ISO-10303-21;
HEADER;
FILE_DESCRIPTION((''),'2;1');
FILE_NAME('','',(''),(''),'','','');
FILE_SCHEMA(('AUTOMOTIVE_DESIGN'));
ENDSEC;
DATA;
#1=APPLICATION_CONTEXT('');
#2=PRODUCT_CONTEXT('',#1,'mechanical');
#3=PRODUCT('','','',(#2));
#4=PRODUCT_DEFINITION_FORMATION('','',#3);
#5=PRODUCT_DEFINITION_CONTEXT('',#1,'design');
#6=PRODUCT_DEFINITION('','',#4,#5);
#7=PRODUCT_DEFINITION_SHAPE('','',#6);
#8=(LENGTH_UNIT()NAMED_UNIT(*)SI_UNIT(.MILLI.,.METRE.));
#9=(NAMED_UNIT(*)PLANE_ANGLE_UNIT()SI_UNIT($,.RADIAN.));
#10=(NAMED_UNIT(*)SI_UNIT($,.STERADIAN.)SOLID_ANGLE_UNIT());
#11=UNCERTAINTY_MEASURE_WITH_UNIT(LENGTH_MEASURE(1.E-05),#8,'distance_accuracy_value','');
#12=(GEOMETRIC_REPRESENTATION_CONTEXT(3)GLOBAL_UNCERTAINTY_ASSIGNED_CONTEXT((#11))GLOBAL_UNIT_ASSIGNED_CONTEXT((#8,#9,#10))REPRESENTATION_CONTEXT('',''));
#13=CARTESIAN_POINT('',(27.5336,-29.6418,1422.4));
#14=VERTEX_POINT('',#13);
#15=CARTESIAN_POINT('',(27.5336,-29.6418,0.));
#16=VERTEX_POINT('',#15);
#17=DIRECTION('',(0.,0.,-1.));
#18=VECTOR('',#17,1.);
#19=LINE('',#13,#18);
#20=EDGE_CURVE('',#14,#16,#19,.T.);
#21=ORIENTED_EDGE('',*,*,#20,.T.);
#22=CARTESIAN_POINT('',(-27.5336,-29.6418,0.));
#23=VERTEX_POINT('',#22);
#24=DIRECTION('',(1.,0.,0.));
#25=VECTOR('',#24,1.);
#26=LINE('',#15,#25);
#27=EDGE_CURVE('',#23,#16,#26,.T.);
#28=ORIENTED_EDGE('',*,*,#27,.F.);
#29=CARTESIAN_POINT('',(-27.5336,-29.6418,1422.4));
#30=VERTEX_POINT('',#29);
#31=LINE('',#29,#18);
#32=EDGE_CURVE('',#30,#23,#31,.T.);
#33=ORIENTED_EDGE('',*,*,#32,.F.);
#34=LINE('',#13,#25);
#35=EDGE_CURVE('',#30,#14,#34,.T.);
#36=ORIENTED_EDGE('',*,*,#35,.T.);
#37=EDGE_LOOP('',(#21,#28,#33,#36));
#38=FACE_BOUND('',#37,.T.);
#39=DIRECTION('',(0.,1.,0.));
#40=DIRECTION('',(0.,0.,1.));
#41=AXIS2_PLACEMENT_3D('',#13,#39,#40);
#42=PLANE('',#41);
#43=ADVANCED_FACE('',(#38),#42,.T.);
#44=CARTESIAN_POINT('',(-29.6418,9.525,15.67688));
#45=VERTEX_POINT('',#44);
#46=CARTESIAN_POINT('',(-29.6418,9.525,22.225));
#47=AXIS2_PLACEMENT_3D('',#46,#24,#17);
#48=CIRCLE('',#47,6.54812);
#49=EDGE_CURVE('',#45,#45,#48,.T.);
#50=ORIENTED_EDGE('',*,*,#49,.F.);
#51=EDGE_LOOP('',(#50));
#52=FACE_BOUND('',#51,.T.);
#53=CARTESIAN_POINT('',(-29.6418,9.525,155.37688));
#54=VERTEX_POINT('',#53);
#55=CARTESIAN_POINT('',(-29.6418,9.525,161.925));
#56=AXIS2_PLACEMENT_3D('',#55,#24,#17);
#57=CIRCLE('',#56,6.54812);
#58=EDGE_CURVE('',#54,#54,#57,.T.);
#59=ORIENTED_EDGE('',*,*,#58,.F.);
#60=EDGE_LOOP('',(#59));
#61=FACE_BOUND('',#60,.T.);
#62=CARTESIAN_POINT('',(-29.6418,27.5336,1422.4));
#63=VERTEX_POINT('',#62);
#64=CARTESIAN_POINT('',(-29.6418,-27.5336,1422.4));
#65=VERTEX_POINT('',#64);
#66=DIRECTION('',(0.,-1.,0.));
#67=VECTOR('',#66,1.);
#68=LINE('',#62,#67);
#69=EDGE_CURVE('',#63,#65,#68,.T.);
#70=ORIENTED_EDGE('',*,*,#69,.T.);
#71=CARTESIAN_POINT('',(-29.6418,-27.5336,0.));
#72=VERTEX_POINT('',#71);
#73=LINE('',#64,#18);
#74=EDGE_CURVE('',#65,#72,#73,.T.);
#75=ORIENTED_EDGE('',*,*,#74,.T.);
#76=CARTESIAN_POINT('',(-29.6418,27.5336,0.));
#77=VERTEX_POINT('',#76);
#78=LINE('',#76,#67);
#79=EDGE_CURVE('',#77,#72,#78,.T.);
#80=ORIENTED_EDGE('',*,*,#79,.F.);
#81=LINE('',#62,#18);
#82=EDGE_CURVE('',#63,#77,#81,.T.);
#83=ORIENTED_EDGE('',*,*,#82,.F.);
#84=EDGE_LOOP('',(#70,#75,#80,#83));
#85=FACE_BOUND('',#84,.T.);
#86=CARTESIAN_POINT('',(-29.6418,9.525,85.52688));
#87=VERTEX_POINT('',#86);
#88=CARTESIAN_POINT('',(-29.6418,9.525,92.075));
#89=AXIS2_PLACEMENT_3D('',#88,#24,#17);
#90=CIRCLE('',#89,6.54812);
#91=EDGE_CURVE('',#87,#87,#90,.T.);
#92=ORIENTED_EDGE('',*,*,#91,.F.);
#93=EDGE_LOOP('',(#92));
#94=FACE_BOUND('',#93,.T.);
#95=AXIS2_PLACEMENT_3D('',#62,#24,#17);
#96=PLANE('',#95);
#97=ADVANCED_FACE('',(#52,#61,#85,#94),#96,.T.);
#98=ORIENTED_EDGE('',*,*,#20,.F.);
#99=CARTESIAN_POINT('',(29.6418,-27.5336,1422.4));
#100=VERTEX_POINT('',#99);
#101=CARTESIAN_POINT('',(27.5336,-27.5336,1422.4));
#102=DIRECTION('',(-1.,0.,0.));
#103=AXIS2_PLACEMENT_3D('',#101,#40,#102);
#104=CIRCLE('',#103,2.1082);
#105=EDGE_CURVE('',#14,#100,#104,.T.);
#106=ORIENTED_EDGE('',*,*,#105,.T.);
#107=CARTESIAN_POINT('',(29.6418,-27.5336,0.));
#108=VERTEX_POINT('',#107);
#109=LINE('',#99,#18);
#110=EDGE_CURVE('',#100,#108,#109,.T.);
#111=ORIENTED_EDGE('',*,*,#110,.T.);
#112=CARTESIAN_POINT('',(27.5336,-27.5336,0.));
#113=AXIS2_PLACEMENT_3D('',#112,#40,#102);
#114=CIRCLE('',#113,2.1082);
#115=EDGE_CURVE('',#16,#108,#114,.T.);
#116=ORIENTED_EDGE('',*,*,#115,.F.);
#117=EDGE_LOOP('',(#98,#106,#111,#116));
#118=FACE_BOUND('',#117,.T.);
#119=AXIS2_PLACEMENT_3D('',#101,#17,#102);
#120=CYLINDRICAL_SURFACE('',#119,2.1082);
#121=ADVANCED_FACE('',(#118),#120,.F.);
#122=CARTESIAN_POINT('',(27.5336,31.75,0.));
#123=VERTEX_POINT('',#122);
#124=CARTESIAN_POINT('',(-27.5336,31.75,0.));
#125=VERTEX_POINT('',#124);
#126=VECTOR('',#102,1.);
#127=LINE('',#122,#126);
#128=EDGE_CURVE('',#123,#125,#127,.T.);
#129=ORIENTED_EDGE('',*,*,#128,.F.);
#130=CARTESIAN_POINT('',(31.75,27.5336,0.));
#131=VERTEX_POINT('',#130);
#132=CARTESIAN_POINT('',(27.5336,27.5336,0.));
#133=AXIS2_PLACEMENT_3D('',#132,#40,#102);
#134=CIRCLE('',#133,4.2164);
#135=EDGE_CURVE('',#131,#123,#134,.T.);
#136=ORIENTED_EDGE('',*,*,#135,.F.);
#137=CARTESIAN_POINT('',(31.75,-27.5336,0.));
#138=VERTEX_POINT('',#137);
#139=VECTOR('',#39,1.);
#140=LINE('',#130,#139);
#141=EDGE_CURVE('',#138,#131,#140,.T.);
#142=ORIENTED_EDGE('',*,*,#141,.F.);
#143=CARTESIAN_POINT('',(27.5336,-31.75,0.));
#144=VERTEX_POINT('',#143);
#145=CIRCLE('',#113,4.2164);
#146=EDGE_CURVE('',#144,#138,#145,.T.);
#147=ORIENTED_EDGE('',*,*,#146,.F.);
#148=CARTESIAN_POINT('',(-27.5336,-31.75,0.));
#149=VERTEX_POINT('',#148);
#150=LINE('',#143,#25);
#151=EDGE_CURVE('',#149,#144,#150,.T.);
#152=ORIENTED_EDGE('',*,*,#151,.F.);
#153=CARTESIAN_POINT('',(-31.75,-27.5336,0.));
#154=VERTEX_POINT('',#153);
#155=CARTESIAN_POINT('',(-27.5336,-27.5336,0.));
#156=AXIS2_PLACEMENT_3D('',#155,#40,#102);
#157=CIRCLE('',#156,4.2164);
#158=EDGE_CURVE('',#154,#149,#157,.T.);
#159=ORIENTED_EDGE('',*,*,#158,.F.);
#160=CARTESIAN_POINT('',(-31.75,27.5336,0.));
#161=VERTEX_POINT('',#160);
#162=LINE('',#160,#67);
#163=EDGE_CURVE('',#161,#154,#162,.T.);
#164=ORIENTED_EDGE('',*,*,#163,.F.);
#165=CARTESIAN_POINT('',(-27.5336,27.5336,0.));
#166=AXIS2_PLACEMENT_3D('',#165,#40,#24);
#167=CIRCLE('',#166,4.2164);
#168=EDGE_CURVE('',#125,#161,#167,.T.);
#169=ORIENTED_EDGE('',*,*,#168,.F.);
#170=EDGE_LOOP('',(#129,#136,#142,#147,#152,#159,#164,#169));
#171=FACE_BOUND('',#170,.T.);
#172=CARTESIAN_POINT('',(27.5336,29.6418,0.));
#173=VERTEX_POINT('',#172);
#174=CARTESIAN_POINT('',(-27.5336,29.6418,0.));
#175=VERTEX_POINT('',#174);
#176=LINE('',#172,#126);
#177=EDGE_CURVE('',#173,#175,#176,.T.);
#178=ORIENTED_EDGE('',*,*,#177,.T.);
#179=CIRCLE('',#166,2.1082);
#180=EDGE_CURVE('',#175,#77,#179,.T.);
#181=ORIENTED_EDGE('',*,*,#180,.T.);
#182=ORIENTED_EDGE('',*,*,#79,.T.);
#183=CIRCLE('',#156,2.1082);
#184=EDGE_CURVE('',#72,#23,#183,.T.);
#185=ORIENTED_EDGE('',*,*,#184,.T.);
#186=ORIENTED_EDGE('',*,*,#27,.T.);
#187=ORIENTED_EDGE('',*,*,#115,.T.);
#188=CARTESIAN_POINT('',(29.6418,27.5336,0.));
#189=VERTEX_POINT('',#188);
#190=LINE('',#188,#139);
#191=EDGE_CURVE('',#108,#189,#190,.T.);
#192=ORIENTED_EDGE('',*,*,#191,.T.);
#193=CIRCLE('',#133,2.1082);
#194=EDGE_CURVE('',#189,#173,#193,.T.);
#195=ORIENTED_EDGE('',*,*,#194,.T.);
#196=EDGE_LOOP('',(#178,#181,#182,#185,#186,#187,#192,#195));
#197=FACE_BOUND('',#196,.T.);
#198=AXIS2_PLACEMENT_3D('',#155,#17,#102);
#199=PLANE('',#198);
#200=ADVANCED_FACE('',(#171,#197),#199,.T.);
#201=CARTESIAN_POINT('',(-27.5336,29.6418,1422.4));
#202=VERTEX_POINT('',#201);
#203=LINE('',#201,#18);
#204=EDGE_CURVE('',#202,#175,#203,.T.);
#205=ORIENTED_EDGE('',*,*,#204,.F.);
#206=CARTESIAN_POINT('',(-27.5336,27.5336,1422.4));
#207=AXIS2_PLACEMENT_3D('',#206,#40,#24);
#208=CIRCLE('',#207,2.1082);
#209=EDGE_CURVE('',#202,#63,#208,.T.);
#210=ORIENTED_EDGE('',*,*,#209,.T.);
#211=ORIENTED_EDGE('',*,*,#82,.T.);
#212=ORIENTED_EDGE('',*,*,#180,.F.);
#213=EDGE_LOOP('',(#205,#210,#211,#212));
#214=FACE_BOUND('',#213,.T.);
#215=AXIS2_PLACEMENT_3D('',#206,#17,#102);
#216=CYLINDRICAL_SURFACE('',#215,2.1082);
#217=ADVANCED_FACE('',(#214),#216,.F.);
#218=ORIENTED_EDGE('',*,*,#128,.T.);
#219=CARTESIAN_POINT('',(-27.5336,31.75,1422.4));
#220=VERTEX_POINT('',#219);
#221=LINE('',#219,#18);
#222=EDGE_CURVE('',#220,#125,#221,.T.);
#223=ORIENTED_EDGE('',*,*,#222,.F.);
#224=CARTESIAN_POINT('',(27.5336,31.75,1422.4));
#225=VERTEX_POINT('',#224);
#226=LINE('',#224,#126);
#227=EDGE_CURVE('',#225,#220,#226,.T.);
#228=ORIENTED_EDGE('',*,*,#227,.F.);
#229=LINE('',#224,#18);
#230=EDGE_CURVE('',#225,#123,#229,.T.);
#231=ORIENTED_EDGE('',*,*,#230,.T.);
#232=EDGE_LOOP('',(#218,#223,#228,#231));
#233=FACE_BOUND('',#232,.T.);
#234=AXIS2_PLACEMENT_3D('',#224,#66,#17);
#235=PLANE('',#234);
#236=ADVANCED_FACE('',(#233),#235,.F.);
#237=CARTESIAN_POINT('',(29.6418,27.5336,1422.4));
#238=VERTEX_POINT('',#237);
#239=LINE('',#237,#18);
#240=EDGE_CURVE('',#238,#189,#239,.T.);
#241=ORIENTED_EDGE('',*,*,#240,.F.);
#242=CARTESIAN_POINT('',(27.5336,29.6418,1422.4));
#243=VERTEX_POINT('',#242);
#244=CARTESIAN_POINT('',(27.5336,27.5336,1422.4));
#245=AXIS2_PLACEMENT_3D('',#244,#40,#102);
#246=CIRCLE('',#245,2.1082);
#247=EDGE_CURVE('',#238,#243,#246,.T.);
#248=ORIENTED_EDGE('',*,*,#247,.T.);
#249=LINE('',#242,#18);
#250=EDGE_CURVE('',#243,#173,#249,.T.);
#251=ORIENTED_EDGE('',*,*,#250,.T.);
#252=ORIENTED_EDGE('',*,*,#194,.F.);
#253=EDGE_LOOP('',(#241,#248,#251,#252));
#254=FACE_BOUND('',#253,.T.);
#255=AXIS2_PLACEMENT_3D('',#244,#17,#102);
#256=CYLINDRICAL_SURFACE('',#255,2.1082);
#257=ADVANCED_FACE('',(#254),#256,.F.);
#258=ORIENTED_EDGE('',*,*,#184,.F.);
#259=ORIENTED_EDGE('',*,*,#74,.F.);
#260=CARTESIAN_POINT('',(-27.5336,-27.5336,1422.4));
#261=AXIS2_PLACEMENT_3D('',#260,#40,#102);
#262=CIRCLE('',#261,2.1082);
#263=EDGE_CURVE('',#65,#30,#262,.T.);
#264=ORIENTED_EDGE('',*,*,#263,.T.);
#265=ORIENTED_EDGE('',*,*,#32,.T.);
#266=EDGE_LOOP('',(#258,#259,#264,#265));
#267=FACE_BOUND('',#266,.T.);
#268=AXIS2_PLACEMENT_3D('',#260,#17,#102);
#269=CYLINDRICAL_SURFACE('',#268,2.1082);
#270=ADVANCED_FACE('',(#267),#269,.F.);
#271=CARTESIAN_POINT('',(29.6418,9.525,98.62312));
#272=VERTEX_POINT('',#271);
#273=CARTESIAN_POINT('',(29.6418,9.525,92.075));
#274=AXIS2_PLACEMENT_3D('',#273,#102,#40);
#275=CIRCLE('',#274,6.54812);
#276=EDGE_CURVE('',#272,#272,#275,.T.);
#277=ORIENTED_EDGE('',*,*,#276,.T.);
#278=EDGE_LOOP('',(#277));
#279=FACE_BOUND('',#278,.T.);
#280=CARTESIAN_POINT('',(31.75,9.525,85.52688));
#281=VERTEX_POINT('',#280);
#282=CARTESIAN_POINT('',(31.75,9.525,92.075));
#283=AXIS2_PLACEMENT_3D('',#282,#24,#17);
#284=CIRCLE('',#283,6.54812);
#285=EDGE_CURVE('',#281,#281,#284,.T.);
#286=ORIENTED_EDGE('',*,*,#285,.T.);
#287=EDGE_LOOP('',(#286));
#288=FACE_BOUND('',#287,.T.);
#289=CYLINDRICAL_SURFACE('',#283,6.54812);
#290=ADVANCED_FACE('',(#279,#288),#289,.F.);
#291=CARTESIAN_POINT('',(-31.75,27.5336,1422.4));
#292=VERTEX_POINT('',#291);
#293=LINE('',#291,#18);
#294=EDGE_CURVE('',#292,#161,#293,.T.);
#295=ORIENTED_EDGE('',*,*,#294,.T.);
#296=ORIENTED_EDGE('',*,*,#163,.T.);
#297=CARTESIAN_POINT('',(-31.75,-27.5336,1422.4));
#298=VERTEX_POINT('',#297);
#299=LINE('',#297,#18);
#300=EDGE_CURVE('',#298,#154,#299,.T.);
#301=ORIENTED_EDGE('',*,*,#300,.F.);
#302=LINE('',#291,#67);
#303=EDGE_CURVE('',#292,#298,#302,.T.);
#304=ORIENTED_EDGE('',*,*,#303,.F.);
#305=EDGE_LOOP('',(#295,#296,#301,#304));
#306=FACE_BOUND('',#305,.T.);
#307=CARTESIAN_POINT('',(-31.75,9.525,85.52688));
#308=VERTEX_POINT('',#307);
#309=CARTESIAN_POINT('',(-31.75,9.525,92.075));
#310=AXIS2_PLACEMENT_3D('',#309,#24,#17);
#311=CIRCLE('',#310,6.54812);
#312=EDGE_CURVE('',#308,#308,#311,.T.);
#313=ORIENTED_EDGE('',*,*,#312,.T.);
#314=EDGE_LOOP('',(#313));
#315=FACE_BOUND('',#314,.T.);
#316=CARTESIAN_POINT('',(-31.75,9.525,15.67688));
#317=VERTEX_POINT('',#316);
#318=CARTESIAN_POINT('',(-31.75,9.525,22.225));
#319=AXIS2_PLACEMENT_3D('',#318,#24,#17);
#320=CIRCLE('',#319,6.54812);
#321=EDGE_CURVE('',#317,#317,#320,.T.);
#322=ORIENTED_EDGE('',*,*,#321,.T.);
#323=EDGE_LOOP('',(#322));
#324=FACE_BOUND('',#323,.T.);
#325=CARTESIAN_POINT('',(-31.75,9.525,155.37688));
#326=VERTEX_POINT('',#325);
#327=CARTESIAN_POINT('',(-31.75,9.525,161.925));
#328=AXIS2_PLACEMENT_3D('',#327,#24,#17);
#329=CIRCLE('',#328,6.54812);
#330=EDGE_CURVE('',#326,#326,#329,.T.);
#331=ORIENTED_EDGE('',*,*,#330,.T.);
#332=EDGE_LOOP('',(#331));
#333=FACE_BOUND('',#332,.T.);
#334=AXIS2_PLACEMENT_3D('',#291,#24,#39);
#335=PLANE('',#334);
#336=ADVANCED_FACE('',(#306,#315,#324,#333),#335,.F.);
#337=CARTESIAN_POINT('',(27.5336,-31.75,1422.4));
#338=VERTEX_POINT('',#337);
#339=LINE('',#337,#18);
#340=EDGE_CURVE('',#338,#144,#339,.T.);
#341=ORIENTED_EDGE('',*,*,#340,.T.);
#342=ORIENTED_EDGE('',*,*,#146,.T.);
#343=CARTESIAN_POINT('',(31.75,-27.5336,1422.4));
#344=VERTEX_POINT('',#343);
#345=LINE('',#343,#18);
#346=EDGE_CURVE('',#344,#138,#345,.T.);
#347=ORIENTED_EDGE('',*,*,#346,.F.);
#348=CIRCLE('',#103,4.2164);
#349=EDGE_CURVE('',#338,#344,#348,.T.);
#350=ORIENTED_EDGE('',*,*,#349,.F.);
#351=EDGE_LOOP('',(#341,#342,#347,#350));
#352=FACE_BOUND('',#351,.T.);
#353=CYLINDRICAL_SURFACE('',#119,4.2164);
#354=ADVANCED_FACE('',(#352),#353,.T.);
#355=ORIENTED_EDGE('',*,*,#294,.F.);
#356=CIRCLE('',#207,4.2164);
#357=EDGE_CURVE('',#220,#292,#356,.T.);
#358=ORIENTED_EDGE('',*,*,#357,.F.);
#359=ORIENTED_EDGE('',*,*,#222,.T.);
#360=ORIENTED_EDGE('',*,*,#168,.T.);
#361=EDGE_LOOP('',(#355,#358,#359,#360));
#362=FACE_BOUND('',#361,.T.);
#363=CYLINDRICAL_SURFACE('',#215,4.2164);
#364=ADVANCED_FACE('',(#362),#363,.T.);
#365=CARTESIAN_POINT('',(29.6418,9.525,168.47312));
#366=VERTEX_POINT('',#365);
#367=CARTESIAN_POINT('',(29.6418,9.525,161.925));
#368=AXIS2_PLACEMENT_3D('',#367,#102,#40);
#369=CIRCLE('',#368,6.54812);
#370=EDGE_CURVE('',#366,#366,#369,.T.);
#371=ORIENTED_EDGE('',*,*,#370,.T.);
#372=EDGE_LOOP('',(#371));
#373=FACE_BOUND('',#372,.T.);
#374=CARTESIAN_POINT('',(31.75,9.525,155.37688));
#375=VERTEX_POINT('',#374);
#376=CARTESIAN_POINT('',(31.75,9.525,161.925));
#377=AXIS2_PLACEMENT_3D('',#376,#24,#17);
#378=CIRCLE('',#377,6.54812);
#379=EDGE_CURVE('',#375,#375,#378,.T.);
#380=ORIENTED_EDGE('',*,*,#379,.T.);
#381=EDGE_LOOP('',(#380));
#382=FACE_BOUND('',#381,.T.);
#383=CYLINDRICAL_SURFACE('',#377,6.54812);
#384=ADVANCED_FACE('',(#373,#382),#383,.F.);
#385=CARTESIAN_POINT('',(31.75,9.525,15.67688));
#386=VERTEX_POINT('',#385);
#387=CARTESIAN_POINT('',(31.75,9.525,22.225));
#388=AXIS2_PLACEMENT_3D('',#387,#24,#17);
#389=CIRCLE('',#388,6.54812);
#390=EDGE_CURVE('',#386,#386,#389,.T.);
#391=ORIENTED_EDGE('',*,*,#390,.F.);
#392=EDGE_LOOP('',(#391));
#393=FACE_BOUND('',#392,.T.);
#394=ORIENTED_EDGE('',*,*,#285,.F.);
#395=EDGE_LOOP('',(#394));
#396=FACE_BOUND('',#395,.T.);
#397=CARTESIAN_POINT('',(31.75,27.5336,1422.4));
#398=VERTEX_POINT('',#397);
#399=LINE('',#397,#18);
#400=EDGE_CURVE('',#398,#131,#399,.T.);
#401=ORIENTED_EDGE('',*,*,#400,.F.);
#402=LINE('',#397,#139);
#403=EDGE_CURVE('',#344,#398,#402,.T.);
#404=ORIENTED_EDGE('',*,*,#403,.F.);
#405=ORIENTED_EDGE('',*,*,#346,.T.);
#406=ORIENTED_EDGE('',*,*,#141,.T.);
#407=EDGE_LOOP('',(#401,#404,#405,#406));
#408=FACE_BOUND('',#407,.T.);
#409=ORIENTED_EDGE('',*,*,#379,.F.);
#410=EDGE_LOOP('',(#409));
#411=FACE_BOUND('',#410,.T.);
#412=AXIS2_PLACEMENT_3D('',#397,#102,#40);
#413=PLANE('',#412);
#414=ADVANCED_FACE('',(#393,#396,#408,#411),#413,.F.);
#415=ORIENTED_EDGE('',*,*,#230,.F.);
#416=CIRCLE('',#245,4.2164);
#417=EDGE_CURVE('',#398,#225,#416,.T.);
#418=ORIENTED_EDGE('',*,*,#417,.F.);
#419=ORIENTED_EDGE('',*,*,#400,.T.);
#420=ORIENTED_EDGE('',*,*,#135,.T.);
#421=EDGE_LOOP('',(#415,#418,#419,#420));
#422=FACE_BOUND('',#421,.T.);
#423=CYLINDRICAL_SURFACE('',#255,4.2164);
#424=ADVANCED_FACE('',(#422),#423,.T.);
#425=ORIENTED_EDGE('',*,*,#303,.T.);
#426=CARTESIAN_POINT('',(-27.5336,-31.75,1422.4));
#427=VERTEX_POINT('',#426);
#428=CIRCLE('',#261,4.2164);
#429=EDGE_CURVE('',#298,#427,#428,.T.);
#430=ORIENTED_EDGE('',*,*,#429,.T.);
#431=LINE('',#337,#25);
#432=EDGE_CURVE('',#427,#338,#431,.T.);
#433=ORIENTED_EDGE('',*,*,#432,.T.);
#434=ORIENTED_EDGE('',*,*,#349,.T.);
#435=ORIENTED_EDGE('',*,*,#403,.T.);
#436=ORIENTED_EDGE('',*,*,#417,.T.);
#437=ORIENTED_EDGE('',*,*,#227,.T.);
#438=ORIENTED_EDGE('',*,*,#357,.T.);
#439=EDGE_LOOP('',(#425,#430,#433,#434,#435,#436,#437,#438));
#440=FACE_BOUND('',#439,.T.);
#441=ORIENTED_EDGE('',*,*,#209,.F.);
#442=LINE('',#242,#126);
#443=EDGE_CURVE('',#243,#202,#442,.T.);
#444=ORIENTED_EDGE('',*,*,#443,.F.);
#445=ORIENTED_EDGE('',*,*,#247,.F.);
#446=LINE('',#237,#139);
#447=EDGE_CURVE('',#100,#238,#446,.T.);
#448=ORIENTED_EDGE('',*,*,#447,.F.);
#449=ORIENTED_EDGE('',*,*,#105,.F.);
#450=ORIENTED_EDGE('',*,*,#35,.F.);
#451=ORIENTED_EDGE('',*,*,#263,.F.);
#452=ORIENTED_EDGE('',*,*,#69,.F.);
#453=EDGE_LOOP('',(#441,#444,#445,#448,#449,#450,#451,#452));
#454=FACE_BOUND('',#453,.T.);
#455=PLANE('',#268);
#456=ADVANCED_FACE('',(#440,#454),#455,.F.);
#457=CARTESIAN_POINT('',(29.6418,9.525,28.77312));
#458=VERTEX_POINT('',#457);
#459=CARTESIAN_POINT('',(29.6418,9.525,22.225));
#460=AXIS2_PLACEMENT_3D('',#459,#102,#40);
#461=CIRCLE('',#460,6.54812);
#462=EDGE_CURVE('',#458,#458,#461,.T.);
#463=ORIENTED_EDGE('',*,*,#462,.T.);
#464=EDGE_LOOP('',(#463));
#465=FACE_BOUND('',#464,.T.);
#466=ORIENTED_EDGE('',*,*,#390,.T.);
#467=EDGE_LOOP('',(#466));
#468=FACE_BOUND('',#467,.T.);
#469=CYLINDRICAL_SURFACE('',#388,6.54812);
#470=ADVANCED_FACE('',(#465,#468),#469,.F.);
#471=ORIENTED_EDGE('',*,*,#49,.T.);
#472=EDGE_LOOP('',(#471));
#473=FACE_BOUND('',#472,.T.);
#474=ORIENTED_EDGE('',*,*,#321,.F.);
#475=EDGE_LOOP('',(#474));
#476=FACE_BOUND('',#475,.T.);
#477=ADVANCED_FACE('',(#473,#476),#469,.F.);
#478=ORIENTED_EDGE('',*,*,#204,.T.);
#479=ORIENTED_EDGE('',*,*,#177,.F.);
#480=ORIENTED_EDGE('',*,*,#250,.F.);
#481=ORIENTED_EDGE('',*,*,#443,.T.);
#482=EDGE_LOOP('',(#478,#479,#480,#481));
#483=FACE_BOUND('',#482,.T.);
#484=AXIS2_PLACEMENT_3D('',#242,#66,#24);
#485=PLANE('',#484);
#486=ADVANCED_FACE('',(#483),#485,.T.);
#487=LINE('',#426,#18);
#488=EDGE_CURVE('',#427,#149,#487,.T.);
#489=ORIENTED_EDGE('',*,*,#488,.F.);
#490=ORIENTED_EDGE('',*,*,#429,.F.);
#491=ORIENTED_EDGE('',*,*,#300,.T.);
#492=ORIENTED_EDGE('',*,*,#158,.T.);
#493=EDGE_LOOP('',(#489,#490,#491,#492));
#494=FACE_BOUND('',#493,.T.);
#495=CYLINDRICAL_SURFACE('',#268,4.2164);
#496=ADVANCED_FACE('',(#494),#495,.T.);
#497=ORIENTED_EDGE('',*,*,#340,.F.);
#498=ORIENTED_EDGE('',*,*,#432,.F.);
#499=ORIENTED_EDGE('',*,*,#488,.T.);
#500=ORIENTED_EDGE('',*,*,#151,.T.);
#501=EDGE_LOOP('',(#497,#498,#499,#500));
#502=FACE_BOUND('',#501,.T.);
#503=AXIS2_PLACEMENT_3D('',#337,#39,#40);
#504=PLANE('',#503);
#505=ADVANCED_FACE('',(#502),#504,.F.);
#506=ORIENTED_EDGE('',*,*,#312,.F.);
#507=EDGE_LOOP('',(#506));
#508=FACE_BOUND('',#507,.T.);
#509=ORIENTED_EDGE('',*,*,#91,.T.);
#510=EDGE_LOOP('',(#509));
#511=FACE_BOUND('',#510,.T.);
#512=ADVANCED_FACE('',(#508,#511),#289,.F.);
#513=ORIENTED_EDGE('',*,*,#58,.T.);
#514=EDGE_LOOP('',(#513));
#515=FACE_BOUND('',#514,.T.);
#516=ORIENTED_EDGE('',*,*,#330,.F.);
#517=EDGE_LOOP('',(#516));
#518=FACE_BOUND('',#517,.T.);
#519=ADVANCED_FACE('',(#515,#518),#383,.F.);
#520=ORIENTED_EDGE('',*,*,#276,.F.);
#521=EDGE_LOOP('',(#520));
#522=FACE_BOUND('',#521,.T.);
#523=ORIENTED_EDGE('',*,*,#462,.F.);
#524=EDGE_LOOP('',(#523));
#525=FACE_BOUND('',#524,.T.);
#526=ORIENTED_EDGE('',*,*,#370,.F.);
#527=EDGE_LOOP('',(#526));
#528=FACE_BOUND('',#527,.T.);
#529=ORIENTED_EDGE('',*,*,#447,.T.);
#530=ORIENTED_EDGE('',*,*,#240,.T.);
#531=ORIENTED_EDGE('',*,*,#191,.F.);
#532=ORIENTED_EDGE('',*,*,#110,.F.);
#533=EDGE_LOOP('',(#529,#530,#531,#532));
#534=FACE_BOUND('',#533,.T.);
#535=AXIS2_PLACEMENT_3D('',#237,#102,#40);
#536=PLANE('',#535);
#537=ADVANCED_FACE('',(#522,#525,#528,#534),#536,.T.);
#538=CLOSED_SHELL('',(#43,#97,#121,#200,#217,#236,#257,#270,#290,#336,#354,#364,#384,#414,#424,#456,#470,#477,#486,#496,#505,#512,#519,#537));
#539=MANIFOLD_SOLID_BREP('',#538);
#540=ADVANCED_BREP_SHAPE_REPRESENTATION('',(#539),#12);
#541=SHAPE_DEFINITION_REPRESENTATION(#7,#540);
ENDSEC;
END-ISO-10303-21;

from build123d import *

# Parameters (mm, degrees)
BOSS_EXTRUDE1_DEPTH     = 1422.4
F_1_2_CLEARANCE_HOLE1_D = 13.09624


with BuildPart() as part:
    # Sketch1 → Boss-Extrude1 (new body)
    with BuildSketch(Plane.XY):
        with BuildLine():
            Line((27.5336, 31.75), (-27.5336, 31.75))
            ThreePointArc((-27.5336, 31.75), (-30.515045032, 30.515045032), (-31.75, 27.5336))
            Line((-31.75, 27.5336), (-31.75, -27.5336))
            ThreePointArc((-31.75, -27.5336), (-30.515045032, -30.515045032), (-27.5336, -31.75))
            Line((-27.5336, -31.75), (27.5336, -31.75))
            ThreePointArc((27.5336, -31.75), (30.515045032, -30.515045032), (31.75, -27.5336))
            Line((31.75, -27.5336), (31.75, 27.5336))
            ThreePointArc((31.75, 27.5336), (30.515045032, 30.515045032), (27.5336, 31.75))
        make_face()
        with BuildLine():
            Line((27.5336, 29.6418), (-27.5336, 29.6418))
            ThreePointArc((-27.5336, 29.6418), (-29.024322516, 29.024322516), (-29.6418, 27.5336))
            Line((-29.6418, 27.5336), (-29.6418, -27.5336))
            ThreePointArc((-29.6418, -27.5336), (-29.024322516, -29.024322516), (-27.5336, -29.6418))
            Line((-27.5336, -29.6418), (27.5336, -29.6418))
            ThreePointArc((27.5336, -29.6418), (29.024322516, -29.024322516), (29.6418, -27.5336))
            Line((29.6418, -27.5336), (29.6418, 27.5336))
            ThreePointArc((29.6418, 27.5336), (29.024322516, 29.024322516), (27.5336, 29.6418))
        make_face(mode=Mode.SUBTRACT)
    extrude(amount=BOSS_EXTRUDE1_DEPTH)

    # 1/2 Clearance Hole1 (through all)
    with Locations(Plane(origin=(31.75, 9.525, 22.225), x_dir=(0, 0, 1), z_dir=(1, 0, 0))):
        with Locations((0, 0), (69.85, 0), (139.7, 0)):
            Hole(F_1_2_CLEARANCE_HOLE1_D / 2)


solid = part.part
